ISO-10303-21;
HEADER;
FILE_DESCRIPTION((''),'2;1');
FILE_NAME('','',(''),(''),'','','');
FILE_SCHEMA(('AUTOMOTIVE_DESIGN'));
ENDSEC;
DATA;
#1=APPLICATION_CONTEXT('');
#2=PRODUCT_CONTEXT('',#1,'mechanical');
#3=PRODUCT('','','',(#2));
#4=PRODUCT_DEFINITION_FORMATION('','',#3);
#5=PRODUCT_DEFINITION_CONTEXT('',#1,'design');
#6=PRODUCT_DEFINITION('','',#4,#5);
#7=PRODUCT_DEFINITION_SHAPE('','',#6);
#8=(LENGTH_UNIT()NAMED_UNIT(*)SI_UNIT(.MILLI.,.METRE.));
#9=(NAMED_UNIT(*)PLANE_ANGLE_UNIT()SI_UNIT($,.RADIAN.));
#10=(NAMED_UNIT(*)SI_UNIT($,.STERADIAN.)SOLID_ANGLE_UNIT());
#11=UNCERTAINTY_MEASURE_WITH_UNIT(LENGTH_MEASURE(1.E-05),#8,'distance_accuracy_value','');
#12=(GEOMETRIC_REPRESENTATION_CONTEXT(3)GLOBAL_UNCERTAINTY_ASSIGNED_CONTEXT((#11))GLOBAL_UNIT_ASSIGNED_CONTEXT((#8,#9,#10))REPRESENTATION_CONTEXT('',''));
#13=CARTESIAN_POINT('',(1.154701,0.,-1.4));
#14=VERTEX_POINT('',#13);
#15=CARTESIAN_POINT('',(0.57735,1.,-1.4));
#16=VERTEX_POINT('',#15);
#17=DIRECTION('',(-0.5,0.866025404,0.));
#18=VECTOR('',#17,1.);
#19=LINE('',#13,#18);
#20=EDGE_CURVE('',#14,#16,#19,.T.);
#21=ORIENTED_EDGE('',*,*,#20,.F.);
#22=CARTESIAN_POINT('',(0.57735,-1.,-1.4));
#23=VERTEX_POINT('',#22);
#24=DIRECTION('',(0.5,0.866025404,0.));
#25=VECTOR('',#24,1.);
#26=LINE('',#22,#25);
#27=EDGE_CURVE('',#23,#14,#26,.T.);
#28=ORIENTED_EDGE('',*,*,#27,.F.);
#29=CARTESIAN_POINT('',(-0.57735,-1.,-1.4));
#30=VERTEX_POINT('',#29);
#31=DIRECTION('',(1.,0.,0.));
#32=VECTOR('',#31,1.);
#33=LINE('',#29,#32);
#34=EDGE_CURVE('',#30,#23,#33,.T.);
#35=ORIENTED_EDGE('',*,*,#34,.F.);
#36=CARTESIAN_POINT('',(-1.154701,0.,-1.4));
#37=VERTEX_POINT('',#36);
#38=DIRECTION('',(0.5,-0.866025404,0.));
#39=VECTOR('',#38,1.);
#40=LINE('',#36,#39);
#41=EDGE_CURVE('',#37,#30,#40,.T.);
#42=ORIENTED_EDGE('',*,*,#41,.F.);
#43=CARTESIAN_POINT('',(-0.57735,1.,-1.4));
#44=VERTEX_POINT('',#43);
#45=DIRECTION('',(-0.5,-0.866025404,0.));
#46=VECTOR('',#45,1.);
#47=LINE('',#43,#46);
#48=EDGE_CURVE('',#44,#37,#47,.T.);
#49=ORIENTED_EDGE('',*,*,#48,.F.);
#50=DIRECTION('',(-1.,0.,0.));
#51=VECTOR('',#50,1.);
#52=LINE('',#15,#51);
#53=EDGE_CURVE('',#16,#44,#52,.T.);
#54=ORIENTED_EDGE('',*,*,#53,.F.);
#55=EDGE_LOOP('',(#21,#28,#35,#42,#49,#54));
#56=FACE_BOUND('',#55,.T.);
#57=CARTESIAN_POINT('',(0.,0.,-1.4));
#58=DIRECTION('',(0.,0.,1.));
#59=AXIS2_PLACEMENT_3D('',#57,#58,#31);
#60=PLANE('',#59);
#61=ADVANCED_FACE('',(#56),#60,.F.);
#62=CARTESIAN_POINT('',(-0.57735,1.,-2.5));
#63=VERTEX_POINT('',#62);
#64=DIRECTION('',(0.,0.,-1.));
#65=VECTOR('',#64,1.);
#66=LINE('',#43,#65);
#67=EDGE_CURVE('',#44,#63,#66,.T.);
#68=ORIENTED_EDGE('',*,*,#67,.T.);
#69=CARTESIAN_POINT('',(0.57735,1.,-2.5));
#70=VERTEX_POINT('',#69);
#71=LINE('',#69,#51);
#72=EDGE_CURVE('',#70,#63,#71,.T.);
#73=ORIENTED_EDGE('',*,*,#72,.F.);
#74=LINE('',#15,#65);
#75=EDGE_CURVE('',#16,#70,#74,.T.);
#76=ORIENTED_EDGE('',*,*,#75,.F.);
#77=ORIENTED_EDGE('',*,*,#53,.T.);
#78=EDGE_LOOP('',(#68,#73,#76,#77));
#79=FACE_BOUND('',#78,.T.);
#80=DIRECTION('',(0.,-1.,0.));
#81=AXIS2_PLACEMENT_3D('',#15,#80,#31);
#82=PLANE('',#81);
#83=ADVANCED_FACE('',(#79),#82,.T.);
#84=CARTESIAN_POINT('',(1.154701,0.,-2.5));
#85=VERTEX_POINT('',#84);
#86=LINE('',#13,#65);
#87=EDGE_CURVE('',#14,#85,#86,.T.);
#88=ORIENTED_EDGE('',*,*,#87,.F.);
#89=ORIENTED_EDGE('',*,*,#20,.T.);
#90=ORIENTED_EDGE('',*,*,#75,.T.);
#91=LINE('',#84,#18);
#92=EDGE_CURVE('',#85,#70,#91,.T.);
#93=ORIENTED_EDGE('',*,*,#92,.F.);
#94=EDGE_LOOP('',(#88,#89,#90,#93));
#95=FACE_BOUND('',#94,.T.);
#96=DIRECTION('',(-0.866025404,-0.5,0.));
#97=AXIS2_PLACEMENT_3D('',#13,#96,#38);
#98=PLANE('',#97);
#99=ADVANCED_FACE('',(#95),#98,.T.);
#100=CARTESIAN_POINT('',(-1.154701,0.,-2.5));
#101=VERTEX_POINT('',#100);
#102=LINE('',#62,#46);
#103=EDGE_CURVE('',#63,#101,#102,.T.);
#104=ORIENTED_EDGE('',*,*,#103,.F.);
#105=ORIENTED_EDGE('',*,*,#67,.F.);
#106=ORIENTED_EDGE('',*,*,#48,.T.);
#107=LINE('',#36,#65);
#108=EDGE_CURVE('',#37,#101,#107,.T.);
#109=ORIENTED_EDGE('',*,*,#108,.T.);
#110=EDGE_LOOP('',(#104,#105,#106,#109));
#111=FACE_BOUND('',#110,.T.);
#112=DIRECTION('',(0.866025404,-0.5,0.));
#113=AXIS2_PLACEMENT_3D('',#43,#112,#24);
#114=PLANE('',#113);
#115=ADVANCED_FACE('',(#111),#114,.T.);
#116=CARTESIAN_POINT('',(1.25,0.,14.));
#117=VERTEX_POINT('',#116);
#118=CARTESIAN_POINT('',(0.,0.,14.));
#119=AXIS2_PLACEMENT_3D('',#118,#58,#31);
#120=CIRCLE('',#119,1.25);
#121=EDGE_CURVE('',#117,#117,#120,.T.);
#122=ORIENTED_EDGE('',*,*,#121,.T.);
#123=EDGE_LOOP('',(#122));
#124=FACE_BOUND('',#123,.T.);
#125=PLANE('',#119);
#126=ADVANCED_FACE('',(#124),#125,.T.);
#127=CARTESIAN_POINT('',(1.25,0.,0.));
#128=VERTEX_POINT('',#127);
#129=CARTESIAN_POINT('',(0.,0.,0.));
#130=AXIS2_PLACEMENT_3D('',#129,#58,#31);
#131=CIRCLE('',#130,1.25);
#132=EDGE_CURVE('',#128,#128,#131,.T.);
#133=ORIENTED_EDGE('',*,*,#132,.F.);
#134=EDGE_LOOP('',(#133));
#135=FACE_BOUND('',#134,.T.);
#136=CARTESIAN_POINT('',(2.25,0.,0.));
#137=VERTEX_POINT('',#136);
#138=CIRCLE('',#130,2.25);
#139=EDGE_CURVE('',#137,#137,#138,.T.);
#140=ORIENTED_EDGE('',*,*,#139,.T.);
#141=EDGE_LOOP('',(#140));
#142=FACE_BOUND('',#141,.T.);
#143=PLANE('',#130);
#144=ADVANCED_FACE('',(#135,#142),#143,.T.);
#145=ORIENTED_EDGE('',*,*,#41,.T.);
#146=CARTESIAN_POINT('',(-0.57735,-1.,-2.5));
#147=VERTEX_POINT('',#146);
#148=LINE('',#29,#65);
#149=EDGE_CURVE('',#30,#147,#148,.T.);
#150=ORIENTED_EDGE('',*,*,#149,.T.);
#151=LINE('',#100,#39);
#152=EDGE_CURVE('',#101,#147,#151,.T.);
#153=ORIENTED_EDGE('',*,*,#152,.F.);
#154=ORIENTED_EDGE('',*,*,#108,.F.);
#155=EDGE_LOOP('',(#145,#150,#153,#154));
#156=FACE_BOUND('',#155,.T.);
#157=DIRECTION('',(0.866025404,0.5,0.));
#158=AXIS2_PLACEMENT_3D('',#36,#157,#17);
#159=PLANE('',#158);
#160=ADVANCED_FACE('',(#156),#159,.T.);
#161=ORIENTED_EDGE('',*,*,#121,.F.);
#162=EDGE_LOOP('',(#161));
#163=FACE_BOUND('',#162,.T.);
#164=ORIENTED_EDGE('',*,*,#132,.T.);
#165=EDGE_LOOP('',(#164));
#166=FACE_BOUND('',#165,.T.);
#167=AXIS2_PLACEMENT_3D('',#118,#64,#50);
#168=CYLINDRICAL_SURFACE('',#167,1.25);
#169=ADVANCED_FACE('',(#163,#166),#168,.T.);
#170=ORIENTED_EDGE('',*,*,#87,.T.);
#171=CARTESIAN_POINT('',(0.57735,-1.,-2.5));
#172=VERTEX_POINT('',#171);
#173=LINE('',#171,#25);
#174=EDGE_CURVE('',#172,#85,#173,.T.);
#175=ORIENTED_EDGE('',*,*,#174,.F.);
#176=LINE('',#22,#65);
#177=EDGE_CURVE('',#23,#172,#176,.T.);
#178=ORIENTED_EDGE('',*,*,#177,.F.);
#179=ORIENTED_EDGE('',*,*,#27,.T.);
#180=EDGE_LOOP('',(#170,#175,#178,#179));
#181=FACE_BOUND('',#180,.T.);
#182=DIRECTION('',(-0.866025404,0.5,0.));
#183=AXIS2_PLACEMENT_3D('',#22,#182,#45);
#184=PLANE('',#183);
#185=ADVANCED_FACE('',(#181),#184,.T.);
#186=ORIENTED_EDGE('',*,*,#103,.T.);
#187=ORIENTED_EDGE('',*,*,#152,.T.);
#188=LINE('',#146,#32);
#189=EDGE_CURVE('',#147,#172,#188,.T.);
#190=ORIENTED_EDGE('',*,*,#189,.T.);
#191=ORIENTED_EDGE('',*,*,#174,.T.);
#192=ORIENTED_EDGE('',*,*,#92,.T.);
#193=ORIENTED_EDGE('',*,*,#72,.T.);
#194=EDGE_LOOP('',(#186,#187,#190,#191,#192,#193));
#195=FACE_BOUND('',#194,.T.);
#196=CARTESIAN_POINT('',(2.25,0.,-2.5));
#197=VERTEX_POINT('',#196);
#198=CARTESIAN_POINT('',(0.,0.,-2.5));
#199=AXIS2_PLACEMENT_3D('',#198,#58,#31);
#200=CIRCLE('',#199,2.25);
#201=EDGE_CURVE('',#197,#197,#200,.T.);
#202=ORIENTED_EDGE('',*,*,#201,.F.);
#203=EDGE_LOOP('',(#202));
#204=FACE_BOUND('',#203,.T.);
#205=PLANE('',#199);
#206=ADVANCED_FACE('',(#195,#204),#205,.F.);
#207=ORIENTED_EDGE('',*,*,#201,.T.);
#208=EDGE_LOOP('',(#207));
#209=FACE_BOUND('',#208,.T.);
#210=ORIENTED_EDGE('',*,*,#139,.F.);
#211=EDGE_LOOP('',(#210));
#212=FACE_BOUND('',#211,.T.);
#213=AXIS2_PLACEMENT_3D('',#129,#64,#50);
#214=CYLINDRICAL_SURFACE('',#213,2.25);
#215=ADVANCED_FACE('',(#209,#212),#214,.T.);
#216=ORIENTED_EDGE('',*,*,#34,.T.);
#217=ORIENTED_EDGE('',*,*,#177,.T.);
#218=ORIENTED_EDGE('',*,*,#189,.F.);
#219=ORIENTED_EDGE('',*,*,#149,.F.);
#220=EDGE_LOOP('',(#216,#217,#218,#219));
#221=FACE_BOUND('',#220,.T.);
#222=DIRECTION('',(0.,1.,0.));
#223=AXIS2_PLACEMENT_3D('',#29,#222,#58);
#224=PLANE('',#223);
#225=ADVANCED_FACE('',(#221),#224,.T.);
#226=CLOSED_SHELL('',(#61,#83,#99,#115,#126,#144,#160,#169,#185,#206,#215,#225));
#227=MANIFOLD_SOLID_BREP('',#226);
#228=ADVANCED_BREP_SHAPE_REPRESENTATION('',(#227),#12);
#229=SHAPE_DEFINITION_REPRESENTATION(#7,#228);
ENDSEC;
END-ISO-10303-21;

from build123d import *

# Parameters (mm, degrees)
CABEZA_START            = -2.5
CROQUIS1_R              = 2.25
CABEZA_DEPTH            = 2.5
CROQUIS2_R              = 1.25
CUERPO_DEPTH            = 14
HEXAGONO_INTERIOR_START = -2.5
HEXAGONO_INTERIOR_DEPTH = 1.1


with BuildPart() as part:
    # Croquis1 → Cabeza (new body)
    with BuildSketch(Plane.XY.offset(CABEZA_START)):
        Circle(CROQUIS1_R)
    extrude(amount=CABEZA_DEPTH)

    # Croquis2 → Cuerpo (add)
    with BuildSketch(Plane.XY):
        Circle(CROQUIS2_R)
    extrude(amount=CUERPO_DEPTH)

    # Croquis3 → Hexagono_interior (cut)
    with BuildSketch(Plane.XY.offset(HEXAGONO_INTERIOR_START)):
        Polygon((1.154700538, 0), (0.577350269, 1), (-0.577350269, 1), (-1.154700538, 0), (-0.577350269, -1), (0.577350269, -1), align=None)
    extrude(amount=HEXAGONO_INTERIOR_DEPTH, mode=Mode.SUBTRACT)


solid = part.part
